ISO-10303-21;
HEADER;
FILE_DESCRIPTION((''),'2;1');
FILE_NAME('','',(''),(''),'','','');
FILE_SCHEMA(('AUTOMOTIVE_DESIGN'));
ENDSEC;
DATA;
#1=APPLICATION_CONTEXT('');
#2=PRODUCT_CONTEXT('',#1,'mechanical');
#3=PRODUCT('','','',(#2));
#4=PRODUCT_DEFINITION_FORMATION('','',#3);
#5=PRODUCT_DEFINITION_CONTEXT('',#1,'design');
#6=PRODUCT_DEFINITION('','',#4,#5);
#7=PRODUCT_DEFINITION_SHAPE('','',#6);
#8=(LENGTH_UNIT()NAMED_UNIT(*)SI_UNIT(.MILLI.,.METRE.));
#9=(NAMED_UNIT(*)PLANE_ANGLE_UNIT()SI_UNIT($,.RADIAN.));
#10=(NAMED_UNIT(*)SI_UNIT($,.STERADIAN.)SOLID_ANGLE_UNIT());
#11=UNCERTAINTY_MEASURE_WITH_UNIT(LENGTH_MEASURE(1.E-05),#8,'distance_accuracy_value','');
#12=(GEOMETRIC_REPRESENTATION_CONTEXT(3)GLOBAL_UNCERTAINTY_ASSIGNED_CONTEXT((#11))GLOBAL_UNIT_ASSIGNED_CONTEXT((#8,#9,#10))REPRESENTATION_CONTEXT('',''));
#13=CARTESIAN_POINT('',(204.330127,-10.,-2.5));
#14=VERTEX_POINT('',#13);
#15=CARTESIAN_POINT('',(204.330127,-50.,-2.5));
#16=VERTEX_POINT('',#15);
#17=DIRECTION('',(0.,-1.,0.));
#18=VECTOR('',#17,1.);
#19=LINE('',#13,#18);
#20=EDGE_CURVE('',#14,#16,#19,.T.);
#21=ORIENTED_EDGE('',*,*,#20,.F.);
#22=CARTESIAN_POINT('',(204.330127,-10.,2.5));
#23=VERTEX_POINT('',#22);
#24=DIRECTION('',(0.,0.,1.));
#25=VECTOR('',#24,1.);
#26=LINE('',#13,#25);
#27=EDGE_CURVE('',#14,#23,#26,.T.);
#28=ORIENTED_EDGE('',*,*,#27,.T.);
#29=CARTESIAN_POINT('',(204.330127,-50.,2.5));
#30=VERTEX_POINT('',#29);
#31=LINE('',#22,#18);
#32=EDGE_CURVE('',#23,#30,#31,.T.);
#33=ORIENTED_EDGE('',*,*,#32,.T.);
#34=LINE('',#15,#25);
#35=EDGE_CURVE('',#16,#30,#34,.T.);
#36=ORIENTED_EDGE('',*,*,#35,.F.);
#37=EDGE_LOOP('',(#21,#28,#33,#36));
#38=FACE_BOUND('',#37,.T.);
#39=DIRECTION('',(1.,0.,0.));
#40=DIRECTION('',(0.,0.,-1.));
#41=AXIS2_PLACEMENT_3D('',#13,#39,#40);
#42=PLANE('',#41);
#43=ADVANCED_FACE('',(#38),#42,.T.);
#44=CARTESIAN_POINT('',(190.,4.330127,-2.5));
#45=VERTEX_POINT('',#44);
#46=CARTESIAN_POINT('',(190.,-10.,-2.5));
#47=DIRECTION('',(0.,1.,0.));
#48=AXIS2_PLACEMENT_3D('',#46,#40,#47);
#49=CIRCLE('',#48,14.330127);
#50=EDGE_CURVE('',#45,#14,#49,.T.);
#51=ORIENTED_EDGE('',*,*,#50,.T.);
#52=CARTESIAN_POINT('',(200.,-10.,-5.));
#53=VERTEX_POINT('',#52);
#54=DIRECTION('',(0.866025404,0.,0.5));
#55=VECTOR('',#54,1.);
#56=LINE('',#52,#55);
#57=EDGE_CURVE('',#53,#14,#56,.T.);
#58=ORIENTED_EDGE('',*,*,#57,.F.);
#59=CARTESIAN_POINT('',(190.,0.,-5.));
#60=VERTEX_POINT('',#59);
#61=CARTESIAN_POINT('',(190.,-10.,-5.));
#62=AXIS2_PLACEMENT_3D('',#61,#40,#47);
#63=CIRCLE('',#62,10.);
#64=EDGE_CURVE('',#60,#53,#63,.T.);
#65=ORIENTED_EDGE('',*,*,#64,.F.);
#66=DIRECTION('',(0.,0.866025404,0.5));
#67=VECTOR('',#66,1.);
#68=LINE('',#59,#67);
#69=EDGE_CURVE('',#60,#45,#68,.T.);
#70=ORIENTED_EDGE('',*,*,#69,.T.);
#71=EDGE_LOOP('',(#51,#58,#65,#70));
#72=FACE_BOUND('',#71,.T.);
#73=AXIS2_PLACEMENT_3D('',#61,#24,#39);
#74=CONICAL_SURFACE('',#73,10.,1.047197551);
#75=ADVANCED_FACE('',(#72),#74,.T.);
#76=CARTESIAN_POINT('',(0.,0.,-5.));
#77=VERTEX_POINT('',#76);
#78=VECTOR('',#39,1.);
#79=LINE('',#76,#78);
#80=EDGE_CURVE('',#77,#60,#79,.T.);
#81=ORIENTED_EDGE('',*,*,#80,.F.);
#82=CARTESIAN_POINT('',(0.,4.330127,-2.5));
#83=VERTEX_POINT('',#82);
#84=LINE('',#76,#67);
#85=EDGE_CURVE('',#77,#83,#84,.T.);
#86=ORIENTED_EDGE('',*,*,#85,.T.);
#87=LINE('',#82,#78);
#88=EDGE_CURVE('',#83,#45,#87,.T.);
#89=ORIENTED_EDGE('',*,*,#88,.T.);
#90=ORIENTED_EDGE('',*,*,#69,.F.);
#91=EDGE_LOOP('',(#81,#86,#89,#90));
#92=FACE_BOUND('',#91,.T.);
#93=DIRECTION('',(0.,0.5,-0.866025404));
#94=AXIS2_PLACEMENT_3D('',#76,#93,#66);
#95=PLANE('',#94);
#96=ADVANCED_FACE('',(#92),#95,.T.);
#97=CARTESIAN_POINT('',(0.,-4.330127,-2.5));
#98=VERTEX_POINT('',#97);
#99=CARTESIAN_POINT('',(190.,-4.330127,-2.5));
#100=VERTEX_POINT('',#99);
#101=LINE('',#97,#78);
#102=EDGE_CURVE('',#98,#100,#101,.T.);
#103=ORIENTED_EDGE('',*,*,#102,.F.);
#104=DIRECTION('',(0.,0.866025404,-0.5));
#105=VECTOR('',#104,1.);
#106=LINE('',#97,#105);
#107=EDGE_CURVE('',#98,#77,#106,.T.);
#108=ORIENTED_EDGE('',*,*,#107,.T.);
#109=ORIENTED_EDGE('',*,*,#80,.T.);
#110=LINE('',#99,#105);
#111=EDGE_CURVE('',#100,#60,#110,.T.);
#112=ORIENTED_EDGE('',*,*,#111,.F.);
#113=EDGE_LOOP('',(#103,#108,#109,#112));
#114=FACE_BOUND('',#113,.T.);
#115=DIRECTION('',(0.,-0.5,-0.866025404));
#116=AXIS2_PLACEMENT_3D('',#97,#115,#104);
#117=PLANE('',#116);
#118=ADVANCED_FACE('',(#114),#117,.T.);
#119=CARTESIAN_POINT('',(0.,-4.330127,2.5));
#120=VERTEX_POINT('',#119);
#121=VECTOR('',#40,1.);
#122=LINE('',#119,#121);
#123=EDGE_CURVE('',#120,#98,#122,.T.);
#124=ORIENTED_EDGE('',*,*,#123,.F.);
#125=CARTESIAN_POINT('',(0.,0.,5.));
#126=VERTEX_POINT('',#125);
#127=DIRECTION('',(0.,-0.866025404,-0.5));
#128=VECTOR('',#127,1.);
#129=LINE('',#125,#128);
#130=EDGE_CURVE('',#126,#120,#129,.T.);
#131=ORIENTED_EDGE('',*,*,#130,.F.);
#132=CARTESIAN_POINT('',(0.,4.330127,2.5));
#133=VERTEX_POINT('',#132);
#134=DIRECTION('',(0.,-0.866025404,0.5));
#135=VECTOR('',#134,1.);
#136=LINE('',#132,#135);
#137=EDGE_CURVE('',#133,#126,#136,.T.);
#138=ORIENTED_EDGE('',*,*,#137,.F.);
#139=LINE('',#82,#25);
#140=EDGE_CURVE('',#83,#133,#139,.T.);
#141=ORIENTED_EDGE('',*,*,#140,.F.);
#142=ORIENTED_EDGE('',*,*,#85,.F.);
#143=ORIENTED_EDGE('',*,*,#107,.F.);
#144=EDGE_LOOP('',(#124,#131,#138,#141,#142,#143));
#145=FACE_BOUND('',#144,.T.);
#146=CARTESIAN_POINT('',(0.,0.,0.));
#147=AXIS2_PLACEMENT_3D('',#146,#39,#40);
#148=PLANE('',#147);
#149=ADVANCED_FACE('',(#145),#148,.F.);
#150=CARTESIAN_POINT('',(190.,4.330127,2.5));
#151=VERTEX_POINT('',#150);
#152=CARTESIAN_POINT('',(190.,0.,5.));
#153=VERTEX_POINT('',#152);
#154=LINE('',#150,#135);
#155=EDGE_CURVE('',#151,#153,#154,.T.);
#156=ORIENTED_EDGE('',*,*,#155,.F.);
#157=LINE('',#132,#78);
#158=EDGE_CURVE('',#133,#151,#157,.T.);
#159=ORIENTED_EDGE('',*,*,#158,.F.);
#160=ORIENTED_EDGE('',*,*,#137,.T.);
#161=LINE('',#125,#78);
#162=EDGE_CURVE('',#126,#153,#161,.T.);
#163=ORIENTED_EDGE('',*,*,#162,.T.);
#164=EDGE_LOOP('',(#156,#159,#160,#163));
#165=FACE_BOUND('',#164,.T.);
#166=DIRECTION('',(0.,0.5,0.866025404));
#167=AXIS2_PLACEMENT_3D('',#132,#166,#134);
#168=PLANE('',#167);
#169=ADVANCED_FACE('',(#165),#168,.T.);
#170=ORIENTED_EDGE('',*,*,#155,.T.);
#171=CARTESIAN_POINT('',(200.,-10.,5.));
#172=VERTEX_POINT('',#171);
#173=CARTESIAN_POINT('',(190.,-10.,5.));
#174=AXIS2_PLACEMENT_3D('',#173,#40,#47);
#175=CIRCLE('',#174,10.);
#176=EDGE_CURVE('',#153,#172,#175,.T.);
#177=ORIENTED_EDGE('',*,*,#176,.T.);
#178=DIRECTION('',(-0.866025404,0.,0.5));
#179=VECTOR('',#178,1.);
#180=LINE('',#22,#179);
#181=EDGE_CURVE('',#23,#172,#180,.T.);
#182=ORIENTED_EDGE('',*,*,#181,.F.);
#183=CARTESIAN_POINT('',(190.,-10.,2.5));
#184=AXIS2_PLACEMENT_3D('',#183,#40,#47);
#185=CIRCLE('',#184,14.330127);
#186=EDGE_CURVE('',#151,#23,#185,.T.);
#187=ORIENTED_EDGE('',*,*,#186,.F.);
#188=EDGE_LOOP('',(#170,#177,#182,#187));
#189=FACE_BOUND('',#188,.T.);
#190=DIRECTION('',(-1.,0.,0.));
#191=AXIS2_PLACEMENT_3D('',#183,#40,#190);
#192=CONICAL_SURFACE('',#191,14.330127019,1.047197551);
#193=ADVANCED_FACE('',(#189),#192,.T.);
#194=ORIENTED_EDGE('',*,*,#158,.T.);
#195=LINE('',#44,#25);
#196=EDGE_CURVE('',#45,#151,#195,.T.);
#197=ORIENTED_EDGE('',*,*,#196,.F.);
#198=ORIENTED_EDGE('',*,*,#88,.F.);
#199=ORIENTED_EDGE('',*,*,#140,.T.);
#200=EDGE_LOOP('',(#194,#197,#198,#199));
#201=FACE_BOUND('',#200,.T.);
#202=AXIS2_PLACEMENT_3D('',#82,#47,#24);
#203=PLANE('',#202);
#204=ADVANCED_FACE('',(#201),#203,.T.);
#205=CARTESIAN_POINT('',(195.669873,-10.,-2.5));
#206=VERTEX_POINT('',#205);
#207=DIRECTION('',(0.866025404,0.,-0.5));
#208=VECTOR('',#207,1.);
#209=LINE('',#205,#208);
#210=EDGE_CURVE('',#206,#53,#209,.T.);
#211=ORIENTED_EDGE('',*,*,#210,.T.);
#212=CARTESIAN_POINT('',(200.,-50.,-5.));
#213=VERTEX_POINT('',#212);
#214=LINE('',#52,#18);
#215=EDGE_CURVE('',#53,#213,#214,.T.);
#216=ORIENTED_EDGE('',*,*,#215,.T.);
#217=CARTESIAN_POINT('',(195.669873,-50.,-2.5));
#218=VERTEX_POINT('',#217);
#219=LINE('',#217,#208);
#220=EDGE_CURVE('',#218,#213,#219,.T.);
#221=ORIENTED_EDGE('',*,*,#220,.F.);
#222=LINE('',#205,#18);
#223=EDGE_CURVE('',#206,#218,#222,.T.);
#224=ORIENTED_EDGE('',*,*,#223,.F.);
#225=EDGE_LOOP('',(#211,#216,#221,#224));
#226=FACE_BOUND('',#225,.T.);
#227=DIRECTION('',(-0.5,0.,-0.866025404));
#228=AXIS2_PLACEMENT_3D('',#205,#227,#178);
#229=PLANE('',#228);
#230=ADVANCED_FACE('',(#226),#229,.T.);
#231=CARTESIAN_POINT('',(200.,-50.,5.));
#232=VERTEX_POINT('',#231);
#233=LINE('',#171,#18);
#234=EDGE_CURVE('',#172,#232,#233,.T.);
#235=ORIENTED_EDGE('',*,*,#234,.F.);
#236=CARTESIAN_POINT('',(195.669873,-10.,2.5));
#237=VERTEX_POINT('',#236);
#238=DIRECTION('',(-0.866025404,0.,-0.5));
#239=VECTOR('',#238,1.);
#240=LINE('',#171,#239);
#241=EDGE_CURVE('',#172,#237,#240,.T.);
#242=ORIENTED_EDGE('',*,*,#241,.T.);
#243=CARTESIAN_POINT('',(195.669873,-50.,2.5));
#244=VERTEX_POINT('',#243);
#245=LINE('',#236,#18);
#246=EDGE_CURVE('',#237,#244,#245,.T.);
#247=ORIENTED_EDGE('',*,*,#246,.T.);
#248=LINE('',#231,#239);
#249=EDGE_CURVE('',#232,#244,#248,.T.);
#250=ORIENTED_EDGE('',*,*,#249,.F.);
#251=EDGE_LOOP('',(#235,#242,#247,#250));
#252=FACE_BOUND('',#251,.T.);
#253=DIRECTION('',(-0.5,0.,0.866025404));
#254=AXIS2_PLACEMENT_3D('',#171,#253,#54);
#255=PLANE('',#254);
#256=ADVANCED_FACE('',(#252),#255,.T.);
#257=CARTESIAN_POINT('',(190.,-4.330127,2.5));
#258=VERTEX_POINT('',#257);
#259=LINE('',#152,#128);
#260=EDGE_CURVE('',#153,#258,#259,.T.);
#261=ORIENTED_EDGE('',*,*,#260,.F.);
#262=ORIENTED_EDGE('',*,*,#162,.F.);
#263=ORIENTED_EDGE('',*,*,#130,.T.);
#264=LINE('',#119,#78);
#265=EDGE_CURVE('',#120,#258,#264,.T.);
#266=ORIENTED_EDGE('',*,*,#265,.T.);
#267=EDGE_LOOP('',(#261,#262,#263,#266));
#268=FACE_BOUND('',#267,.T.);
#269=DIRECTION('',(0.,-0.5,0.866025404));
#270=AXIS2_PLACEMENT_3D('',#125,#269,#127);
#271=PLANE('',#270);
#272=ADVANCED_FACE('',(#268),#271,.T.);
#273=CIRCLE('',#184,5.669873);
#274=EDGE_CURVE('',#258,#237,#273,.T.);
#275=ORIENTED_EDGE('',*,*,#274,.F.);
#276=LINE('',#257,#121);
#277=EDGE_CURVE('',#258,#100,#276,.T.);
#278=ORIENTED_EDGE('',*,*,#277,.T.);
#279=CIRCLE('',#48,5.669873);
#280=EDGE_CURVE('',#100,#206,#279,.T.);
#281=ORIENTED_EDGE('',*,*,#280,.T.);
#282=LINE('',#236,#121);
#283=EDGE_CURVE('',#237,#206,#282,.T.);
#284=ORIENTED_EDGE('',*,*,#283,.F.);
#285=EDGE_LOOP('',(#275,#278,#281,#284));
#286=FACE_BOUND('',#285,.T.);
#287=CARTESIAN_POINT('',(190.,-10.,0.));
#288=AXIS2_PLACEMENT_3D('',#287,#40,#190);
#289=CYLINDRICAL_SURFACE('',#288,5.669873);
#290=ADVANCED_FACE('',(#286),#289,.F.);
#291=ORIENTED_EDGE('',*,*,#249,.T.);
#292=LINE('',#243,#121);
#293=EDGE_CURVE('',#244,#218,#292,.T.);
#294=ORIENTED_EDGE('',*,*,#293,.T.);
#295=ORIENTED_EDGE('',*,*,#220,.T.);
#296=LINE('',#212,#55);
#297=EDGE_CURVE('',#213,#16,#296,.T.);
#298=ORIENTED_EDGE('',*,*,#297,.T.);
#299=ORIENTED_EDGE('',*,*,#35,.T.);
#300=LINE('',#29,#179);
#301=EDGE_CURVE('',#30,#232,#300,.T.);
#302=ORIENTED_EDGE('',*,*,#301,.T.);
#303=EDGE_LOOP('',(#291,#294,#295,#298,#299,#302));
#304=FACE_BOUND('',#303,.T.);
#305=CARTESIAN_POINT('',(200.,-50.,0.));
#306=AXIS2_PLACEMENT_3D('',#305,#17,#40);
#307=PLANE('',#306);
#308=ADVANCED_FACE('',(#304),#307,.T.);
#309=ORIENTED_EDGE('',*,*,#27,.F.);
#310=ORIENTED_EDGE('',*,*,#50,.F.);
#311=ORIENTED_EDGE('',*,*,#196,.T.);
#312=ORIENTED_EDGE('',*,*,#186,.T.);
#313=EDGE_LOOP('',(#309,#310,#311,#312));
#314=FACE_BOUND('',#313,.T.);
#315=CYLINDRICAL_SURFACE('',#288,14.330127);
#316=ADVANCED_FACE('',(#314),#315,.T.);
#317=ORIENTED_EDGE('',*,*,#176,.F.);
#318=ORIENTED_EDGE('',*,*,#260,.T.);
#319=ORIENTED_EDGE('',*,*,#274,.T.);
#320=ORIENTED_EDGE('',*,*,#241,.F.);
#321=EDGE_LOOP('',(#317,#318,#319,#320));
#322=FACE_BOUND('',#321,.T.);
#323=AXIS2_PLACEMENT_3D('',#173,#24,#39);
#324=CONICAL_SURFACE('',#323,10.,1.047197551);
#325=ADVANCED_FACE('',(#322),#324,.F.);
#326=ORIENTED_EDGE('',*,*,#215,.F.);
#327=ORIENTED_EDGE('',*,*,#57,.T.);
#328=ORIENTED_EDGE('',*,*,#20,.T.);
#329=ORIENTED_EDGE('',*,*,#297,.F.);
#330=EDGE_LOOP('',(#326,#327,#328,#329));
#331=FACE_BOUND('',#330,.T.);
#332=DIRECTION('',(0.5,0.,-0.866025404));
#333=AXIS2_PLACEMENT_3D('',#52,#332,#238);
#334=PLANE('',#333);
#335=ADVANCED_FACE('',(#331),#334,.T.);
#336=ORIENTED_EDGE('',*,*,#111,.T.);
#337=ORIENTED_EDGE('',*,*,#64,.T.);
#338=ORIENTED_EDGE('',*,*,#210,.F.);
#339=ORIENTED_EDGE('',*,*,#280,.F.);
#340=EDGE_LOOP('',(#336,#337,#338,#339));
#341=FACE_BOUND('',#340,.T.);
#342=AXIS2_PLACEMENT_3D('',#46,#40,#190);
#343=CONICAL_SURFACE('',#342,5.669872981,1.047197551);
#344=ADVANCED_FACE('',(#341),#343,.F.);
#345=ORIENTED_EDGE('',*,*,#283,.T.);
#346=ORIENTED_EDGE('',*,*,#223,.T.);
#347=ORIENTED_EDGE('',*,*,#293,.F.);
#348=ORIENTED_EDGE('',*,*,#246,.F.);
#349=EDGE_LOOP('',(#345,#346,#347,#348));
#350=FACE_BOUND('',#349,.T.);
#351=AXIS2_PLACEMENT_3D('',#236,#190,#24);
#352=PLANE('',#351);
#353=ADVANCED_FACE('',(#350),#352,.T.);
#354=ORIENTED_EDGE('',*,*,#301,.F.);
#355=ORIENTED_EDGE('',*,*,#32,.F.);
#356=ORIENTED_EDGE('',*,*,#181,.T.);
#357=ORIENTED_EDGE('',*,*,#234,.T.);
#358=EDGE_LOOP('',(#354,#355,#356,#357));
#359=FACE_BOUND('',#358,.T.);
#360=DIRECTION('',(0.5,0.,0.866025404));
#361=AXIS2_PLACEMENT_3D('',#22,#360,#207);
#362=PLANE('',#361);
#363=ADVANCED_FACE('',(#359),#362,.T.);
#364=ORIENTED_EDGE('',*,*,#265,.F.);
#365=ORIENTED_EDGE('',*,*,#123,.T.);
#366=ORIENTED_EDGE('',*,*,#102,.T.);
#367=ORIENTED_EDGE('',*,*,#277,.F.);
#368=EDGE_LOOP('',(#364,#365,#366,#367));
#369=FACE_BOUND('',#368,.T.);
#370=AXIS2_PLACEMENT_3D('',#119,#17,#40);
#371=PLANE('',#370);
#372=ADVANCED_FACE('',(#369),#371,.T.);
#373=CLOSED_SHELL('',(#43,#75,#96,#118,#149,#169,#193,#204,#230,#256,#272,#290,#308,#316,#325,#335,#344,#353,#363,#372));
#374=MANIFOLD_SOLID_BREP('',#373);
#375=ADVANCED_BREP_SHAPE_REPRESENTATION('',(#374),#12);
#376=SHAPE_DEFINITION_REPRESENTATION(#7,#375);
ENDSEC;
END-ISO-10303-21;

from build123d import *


with BuildPart() as part:
    # Sweep1: sweep along a path in Sketch1
    with BuildLine(Plane.XY) as sweep1_path:
        Line((0, 0), (190, 0))
        ThreePointArc((190, 0), (197.071067812, -2.928932188), (200, -10))
        Line((200, -10), (200, -50))
    # Sketch2 → Sweep1 (sweep)
    with BuildSketch(Plane(origin=(0, 0, 0), x_dir=(0, 0, -1), z_dir=(1, 0, 0))):
        Polygon((2.5, -4.330127019), (5, 0), (2.5, 4.330127019), (-2.5, 4.330127019), (-5, 0), (-2.5, -4.330127019), align=None)
    sweep(path=sweep1_path.line)


solid = part.part
